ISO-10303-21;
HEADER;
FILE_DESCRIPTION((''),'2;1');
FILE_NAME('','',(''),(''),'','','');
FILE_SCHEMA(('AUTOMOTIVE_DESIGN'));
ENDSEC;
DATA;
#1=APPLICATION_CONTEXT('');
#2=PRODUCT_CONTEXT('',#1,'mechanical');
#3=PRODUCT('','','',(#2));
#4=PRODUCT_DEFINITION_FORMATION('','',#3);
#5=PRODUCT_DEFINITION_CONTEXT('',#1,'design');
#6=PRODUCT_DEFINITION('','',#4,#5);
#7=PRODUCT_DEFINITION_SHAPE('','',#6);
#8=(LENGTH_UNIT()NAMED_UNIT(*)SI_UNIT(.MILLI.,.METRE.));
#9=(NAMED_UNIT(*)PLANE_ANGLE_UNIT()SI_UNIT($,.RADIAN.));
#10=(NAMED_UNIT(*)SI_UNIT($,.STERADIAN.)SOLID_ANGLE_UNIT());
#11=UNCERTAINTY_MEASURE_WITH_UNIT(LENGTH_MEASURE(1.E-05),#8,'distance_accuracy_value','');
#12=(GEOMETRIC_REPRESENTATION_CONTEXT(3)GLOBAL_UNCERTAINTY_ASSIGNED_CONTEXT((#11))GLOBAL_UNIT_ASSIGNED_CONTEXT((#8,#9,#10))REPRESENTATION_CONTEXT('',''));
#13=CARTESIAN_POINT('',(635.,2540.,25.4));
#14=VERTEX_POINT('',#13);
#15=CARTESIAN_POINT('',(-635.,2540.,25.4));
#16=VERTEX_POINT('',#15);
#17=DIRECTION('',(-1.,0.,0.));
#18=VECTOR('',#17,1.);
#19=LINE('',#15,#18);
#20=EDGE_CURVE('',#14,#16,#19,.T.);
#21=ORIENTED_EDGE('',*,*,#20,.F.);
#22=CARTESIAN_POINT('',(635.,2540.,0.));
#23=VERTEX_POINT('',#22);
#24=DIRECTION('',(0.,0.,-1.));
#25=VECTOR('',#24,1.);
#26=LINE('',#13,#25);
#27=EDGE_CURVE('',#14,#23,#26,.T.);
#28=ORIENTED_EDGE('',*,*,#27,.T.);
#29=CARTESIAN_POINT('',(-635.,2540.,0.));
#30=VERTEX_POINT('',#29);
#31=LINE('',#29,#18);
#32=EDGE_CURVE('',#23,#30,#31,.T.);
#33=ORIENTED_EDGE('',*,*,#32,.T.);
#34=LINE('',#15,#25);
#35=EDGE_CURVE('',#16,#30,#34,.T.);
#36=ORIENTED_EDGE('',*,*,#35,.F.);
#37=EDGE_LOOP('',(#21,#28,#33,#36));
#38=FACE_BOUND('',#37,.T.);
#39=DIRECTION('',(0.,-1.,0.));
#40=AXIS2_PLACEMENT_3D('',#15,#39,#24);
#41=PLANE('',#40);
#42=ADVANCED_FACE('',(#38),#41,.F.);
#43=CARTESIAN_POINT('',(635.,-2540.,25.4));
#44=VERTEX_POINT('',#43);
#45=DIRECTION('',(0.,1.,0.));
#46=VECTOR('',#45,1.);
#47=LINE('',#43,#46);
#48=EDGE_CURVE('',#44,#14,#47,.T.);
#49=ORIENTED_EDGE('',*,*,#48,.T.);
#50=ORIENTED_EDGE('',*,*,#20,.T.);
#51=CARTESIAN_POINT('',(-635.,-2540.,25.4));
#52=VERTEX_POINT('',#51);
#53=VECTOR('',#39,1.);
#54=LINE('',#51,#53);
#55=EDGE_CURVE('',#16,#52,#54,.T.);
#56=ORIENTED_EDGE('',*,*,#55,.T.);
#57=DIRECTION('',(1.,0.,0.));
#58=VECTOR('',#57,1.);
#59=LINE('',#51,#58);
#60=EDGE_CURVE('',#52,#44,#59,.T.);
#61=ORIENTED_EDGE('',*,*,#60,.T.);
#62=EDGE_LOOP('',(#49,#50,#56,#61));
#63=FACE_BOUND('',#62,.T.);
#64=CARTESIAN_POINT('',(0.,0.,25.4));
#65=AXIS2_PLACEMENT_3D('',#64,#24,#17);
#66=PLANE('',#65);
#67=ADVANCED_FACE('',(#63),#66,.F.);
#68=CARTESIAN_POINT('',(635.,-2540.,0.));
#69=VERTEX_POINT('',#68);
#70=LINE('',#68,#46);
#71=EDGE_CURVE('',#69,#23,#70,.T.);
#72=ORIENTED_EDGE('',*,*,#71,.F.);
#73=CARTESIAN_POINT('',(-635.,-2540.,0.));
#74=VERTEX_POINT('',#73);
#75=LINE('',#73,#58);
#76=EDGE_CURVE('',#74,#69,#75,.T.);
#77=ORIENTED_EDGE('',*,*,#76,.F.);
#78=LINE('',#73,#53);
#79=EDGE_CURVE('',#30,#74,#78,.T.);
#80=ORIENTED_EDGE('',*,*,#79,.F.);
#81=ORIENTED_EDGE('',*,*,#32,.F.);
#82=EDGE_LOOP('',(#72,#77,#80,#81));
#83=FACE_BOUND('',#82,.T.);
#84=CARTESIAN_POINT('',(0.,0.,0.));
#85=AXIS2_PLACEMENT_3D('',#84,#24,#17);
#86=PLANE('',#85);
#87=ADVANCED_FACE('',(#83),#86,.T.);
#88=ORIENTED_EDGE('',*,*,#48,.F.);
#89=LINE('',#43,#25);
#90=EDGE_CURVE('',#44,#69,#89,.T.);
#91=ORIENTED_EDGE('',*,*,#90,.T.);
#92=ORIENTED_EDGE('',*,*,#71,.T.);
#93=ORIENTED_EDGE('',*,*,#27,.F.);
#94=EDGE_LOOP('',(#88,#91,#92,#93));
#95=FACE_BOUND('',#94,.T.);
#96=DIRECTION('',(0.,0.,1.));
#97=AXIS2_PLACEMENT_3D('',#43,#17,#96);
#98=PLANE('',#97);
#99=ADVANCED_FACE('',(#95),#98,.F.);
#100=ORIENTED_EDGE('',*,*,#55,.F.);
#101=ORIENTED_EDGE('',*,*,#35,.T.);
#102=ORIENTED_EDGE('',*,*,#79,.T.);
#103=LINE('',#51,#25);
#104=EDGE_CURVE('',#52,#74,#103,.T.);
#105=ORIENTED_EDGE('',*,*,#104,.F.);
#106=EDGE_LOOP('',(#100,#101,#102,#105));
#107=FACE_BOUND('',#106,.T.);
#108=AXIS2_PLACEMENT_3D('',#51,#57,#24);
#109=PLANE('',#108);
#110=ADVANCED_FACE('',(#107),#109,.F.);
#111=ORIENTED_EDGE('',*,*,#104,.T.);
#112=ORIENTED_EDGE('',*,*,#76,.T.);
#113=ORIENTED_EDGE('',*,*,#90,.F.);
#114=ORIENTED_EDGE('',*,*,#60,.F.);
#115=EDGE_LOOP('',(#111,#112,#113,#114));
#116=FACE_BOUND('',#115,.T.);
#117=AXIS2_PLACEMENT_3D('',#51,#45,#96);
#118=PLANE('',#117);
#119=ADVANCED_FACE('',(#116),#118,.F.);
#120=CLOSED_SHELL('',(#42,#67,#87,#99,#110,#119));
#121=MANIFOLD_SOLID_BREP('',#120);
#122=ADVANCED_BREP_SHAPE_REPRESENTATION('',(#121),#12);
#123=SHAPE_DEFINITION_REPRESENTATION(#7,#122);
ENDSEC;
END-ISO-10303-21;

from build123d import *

# Parameters (mm, degrees)
BASESKETCH_W = 1270
BASESKETCH_H = 5080
BLOCK_DEPTH  = 25.4


with BuildPart() as part:
    # BaseSketch → BLOCK (new body)
    with BuildSketch(Plane.XY):
        Rectangle(BASESKETCH_W, BASESKETCH_H)
    extrude(amount=BLOCK_DEPTH)


solid = part.part
